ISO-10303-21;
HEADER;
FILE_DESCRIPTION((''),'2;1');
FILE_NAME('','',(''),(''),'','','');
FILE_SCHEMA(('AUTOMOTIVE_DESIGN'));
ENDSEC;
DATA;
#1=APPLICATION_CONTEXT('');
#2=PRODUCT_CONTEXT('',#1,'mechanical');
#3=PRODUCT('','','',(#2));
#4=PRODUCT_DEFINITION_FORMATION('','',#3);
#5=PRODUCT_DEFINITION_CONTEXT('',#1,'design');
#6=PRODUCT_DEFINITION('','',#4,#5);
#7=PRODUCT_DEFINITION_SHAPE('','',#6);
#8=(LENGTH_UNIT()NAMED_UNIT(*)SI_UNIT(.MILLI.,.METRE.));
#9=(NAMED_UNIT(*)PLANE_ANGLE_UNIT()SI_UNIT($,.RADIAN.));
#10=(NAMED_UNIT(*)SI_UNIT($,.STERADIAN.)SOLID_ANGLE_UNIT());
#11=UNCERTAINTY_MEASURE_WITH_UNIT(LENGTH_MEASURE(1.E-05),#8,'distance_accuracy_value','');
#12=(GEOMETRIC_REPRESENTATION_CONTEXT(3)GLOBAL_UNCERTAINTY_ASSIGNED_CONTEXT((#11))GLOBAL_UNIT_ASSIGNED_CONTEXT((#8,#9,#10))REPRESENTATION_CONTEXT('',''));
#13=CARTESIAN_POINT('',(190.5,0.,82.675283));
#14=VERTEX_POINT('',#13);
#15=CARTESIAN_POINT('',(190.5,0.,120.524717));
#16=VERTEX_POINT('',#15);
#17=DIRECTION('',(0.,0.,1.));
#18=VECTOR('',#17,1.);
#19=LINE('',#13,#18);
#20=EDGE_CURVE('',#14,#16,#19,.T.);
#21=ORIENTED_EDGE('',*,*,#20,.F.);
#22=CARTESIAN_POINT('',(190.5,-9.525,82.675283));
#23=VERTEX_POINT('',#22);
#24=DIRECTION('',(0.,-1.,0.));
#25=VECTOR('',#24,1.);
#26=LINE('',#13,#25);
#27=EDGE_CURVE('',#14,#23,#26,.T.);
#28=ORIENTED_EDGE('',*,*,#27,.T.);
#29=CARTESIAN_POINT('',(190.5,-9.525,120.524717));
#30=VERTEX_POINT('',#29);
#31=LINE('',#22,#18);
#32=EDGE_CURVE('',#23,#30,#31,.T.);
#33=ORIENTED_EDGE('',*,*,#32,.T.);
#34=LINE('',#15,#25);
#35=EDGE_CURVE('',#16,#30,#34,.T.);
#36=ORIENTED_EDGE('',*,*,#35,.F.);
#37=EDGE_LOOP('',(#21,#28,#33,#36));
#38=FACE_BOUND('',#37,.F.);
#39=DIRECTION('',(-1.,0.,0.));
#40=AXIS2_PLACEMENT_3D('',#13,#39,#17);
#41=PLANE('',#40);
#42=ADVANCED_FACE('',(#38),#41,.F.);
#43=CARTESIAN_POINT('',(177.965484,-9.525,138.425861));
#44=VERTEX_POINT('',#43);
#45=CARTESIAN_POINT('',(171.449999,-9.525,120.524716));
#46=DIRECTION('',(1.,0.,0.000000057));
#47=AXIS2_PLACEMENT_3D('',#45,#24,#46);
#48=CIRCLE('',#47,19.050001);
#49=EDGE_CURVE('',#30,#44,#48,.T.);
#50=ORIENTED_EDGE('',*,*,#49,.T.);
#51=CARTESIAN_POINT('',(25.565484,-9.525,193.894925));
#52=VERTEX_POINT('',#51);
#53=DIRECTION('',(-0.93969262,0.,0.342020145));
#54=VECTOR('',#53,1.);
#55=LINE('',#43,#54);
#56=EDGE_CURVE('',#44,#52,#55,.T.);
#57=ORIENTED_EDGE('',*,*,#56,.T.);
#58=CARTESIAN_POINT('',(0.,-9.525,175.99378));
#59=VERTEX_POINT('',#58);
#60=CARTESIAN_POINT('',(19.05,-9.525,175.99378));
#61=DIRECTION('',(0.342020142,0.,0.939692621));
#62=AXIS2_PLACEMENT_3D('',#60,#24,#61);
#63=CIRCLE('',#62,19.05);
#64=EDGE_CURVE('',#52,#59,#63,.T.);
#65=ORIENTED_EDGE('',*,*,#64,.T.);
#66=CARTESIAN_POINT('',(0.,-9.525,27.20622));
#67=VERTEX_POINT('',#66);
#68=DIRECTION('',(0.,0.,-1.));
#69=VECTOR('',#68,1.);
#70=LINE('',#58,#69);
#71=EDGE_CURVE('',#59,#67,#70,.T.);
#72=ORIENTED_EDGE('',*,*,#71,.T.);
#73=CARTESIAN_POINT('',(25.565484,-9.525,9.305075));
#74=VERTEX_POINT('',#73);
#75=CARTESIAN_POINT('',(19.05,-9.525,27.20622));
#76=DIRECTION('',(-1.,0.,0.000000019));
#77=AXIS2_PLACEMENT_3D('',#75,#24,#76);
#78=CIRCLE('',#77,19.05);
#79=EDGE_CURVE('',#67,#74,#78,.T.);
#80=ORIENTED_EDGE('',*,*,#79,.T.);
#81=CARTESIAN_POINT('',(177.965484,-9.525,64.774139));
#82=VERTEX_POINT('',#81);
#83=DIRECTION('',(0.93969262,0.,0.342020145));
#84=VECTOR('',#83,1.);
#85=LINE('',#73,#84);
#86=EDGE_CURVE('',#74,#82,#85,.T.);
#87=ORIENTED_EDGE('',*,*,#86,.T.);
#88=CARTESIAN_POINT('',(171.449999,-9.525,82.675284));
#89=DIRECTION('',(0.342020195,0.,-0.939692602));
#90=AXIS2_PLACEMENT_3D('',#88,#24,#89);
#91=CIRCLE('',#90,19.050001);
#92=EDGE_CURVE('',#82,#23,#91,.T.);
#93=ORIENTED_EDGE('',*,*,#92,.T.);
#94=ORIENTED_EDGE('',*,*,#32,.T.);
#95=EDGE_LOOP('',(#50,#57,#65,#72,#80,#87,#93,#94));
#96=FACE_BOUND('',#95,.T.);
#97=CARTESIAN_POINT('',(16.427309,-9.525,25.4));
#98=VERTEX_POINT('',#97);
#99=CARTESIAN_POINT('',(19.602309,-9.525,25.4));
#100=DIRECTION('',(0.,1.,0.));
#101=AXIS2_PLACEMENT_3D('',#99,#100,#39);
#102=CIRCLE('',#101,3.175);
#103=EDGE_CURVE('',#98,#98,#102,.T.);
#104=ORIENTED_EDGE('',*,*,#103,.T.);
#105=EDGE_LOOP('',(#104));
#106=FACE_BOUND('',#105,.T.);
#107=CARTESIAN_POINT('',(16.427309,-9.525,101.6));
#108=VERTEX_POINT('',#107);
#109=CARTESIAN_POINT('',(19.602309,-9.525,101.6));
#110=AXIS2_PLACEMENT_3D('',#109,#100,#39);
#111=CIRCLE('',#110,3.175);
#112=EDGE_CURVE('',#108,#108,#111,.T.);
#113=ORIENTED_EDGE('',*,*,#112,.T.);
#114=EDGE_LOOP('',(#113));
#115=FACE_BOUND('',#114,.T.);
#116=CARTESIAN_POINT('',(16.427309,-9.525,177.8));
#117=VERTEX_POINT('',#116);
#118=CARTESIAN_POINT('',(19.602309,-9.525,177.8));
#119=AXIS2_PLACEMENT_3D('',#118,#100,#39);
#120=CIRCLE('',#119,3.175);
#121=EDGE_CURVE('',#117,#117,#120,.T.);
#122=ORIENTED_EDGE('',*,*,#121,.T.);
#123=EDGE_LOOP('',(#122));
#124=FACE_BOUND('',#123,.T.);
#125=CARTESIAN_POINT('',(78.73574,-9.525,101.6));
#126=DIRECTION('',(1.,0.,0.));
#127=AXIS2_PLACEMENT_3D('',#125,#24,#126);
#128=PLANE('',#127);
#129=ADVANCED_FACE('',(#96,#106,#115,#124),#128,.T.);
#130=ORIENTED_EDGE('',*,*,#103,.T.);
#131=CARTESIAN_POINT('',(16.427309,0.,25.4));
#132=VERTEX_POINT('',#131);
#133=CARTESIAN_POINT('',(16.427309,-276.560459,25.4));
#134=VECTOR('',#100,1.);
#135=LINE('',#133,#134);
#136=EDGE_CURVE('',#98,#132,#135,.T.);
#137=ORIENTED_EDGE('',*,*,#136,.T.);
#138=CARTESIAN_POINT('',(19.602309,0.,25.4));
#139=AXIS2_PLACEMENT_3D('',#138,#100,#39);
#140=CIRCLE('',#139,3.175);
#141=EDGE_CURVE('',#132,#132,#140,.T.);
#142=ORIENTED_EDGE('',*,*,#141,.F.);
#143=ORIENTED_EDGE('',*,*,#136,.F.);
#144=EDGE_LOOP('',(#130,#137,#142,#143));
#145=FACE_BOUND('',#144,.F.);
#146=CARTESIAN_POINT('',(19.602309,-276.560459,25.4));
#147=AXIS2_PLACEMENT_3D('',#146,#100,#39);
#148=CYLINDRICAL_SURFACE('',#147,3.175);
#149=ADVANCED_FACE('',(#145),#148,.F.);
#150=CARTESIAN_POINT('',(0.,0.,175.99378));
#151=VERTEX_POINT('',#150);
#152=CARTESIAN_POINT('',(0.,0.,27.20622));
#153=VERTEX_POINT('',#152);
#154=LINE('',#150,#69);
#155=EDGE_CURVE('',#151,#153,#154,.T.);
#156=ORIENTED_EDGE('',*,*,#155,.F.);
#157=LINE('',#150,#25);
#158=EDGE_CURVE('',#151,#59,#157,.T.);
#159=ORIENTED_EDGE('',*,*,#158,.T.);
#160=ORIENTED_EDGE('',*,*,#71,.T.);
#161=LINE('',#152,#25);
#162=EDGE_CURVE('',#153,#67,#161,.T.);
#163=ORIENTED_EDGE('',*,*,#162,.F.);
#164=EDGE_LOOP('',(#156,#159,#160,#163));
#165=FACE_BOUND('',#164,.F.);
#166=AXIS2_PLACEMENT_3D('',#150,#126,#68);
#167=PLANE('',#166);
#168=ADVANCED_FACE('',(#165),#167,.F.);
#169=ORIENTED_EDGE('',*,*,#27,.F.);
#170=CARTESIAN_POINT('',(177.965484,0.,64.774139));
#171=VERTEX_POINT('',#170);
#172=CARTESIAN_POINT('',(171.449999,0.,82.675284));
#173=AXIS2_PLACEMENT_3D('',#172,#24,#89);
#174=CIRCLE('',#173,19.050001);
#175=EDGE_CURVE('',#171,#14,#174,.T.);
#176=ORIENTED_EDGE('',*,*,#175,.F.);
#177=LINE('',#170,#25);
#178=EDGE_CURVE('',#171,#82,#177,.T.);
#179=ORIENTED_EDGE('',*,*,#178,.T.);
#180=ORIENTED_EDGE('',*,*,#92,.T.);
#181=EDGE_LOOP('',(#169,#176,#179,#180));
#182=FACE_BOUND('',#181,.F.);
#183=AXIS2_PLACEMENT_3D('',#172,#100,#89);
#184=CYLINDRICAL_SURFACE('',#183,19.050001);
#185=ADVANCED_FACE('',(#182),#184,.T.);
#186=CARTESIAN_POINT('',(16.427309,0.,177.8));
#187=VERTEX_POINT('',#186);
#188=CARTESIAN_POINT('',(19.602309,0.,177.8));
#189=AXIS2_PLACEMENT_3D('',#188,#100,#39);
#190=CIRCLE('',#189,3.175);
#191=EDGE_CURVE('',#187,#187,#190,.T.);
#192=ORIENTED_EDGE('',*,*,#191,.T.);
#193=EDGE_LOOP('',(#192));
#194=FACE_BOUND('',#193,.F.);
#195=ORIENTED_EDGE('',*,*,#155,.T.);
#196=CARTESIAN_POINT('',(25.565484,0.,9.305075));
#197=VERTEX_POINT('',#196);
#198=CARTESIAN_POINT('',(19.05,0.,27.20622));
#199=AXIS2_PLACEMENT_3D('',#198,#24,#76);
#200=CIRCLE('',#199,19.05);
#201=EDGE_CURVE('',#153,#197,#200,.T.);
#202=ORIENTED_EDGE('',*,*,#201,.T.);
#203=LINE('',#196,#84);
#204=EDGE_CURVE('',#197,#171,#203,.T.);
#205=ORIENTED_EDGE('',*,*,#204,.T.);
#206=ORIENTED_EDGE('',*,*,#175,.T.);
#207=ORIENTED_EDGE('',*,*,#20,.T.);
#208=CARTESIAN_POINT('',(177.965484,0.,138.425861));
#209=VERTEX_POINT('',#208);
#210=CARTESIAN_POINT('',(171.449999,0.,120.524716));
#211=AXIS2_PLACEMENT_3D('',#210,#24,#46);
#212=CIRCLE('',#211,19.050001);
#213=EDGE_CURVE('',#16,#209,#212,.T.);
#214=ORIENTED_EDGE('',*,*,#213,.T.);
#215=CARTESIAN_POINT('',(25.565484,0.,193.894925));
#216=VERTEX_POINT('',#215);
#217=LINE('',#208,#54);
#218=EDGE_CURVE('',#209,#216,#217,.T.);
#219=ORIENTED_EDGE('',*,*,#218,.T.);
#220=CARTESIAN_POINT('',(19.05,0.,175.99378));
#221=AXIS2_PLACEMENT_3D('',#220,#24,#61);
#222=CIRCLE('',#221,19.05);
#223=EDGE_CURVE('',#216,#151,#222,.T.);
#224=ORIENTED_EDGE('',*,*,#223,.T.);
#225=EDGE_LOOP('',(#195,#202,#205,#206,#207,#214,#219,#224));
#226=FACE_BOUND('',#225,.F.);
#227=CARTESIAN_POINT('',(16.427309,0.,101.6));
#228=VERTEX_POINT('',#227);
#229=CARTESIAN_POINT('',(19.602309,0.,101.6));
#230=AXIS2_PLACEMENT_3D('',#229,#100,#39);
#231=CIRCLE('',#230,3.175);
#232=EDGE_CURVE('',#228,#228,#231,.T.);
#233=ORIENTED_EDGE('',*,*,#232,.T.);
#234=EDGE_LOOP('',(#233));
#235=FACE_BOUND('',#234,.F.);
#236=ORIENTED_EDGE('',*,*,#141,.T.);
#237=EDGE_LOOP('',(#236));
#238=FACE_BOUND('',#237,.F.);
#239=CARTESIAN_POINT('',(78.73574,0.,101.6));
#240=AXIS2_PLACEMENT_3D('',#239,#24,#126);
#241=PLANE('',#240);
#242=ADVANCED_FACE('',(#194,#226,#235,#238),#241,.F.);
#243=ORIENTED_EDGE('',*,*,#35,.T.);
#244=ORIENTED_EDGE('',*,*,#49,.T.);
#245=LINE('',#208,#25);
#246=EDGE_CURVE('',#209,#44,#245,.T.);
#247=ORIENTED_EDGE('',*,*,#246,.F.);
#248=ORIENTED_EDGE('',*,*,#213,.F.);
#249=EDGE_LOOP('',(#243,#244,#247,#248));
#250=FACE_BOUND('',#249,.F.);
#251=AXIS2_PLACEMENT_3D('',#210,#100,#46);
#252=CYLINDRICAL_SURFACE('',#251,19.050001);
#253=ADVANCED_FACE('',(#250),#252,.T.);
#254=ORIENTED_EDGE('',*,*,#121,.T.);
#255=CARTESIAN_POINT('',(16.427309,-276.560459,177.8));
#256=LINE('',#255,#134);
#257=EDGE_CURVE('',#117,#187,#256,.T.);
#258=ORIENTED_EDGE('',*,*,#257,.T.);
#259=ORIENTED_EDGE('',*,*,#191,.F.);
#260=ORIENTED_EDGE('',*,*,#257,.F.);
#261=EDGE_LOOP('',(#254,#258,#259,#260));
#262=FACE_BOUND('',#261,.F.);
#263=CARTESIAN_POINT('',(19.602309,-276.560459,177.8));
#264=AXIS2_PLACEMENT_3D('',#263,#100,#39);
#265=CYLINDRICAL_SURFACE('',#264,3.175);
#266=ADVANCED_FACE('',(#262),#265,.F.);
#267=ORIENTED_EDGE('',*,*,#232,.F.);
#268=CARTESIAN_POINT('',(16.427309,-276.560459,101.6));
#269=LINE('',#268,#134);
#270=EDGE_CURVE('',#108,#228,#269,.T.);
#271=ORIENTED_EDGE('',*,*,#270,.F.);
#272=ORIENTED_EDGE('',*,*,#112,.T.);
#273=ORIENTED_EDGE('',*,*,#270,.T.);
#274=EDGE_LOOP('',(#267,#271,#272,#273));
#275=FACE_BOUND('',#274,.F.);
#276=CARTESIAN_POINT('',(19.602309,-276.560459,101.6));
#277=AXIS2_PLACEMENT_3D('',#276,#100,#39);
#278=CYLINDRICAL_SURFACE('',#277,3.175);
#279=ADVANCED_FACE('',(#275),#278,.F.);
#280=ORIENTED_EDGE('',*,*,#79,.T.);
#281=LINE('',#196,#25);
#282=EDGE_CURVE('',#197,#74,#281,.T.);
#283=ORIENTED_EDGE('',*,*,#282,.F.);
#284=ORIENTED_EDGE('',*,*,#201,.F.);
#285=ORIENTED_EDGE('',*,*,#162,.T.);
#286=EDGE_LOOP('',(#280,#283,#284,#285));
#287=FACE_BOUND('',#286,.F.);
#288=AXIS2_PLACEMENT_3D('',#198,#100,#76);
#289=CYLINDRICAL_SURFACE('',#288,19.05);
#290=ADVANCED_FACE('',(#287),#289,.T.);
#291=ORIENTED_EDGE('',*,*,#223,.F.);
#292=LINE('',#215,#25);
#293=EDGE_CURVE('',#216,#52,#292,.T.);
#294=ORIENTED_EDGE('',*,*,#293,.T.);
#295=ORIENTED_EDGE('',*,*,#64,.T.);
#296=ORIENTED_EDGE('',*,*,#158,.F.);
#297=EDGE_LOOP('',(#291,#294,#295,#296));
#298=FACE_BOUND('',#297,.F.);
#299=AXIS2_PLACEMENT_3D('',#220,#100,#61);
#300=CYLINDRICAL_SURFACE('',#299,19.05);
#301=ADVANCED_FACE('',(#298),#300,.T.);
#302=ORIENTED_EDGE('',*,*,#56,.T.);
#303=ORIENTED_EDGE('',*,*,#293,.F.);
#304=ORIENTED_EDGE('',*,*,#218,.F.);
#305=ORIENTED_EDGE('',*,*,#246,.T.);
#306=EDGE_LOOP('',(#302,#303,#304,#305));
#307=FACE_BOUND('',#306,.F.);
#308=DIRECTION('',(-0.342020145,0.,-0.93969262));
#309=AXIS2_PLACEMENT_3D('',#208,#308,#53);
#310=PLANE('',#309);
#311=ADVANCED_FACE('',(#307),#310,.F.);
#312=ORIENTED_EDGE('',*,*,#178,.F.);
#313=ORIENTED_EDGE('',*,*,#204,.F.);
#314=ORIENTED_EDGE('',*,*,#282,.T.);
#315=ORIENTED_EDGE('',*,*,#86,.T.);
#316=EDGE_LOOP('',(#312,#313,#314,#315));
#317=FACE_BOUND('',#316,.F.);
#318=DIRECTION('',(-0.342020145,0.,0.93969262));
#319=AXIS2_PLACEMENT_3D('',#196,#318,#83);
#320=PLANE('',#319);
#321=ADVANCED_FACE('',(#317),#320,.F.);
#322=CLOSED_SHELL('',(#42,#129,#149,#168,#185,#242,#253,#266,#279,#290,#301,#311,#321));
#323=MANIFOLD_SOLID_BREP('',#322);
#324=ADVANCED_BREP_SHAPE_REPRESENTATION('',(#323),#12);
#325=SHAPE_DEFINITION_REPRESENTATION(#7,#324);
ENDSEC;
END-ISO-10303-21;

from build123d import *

# Parameters (mm, degrees)
F1_DEPTH = 9.525
F3_D     = 6.35


with BuildPart() as f1:
    # F0 (on Front) → F1 (new body)
    with BuildSketch(Plane.XZ):
        with BuildLine():
            Line((0, 175.99378), (0, 27.20622))
            ThreePointArc((0, 27.20622), (8.123369, 11.601373), (25.565484, 9.305075))
            Line((25.565484, 9.305075), (177.965484, 64.774139))
            ThreePointArc((177.965484, 64.774139), (187.054846, 71.748652), (190.5, 82.675283))
            Line((190.5, 82.675283), (190.5, 120.524717))
            ThreePointArc((190.5, 120.524717), (187.054846, 131.451348), (177.965484, 138.425861))
            Line((177.965484, 138.425861), (25.565484, 193.894925))
            ThreePointArc((25.565484, 193.894925), (8.123369, 191.598627), (0, 175.99378))
        make_face()
    extrude(amount=F1_DEPTH)

    # F3 (through all)
    with Locations(Plane.XZ.offset(9.525)):
        with Locations((19.602309, 177.8), (19.602309, 101.6), (19.602309, 25.4)):
            Hole(F3_D / 2)


solid = f1.part
